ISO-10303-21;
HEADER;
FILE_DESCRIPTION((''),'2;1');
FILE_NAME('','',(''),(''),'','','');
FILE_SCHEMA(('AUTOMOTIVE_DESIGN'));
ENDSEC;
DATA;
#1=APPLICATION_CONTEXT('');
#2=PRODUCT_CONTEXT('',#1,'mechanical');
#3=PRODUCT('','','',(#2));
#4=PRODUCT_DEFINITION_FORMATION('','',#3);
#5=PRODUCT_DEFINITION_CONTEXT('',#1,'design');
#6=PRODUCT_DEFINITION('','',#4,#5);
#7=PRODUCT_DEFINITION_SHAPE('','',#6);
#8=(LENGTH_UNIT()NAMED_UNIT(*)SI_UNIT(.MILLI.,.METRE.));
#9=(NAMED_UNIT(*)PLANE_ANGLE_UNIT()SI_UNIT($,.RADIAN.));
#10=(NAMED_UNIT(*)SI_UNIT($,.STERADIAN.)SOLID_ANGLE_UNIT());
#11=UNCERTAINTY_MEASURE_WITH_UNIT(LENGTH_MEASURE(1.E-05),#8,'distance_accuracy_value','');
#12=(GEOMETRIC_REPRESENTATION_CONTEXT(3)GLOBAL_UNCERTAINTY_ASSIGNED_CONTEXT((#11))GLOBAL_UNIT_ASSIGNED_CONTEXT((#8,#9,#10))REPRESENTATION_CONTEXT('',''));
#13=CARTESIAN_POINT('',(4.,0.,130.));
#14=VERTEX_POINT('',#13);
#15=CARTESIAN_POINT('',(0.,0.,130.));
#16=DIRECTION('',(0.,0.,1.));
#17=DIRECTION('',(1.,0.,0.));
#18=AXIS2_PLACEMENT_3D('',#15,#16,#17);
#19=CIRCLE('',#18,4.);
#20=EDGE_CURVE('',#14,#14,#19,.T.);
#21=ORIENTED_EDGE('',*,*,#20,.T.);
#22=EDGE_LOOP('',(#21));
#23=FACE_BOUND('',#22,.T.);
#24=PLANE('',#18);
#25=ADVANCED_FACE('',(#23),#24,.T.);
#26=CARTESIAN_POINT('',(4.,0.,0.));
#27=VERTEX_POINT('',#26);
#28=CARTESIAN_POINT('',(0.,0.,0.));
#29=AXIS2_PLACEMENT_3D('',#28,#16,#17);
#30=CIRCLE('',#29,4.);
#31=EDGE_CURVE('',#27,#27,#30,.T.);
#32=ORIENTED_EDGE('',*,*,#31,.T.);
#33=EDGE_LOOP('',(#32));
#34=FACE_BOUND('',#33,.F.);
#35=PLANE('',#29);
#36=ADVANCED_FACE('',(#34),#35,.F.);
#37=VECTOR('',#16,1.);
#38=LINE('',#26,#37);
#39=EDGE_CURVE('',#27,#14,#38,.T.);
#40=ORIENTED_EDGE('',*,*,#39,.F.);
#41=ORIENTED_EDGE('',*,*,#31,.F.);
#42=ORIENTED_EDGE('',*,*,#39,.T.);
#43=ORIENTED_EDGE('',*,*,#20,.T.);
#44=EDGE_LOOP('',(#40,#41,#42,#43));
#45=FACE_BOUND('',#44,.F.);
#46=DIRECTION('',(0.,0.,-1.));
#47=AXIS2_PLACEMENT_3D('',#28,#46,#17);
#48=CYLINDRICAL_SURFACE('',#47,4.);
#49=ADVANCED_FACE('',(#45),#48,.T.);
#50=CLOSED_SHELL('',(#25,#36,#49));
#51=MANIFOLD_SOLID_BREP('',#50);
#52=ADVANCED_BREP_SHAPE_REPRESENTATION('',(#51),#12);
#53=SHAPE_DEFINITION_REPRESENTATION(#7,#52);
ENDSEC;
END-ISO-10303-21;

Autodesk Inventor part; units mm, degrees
ref_plane "YZ Plane" through (0, 0, 0) normal (1, 0, 0) x (0, 1, 0)
ref_plane "XZ Plane" through (0, 0, 0) normal (0, 1, 0) x (-1, 0, 0)
ref_plane "XY Plane" through (0, 0, 0) normal (0, 0, 1) x (1, 0, 0)
sketch "Boceto1" plane through (0, 0, 0) normal (0, 0, 1) x (1, 0, 0)
  circle A0 centre (0, 0) radius 4
  dimension "d0" = 8
extrude "Extrusión1" add sketch "Boceto1" along normal blind 130
properties part number "perno_pasante"
